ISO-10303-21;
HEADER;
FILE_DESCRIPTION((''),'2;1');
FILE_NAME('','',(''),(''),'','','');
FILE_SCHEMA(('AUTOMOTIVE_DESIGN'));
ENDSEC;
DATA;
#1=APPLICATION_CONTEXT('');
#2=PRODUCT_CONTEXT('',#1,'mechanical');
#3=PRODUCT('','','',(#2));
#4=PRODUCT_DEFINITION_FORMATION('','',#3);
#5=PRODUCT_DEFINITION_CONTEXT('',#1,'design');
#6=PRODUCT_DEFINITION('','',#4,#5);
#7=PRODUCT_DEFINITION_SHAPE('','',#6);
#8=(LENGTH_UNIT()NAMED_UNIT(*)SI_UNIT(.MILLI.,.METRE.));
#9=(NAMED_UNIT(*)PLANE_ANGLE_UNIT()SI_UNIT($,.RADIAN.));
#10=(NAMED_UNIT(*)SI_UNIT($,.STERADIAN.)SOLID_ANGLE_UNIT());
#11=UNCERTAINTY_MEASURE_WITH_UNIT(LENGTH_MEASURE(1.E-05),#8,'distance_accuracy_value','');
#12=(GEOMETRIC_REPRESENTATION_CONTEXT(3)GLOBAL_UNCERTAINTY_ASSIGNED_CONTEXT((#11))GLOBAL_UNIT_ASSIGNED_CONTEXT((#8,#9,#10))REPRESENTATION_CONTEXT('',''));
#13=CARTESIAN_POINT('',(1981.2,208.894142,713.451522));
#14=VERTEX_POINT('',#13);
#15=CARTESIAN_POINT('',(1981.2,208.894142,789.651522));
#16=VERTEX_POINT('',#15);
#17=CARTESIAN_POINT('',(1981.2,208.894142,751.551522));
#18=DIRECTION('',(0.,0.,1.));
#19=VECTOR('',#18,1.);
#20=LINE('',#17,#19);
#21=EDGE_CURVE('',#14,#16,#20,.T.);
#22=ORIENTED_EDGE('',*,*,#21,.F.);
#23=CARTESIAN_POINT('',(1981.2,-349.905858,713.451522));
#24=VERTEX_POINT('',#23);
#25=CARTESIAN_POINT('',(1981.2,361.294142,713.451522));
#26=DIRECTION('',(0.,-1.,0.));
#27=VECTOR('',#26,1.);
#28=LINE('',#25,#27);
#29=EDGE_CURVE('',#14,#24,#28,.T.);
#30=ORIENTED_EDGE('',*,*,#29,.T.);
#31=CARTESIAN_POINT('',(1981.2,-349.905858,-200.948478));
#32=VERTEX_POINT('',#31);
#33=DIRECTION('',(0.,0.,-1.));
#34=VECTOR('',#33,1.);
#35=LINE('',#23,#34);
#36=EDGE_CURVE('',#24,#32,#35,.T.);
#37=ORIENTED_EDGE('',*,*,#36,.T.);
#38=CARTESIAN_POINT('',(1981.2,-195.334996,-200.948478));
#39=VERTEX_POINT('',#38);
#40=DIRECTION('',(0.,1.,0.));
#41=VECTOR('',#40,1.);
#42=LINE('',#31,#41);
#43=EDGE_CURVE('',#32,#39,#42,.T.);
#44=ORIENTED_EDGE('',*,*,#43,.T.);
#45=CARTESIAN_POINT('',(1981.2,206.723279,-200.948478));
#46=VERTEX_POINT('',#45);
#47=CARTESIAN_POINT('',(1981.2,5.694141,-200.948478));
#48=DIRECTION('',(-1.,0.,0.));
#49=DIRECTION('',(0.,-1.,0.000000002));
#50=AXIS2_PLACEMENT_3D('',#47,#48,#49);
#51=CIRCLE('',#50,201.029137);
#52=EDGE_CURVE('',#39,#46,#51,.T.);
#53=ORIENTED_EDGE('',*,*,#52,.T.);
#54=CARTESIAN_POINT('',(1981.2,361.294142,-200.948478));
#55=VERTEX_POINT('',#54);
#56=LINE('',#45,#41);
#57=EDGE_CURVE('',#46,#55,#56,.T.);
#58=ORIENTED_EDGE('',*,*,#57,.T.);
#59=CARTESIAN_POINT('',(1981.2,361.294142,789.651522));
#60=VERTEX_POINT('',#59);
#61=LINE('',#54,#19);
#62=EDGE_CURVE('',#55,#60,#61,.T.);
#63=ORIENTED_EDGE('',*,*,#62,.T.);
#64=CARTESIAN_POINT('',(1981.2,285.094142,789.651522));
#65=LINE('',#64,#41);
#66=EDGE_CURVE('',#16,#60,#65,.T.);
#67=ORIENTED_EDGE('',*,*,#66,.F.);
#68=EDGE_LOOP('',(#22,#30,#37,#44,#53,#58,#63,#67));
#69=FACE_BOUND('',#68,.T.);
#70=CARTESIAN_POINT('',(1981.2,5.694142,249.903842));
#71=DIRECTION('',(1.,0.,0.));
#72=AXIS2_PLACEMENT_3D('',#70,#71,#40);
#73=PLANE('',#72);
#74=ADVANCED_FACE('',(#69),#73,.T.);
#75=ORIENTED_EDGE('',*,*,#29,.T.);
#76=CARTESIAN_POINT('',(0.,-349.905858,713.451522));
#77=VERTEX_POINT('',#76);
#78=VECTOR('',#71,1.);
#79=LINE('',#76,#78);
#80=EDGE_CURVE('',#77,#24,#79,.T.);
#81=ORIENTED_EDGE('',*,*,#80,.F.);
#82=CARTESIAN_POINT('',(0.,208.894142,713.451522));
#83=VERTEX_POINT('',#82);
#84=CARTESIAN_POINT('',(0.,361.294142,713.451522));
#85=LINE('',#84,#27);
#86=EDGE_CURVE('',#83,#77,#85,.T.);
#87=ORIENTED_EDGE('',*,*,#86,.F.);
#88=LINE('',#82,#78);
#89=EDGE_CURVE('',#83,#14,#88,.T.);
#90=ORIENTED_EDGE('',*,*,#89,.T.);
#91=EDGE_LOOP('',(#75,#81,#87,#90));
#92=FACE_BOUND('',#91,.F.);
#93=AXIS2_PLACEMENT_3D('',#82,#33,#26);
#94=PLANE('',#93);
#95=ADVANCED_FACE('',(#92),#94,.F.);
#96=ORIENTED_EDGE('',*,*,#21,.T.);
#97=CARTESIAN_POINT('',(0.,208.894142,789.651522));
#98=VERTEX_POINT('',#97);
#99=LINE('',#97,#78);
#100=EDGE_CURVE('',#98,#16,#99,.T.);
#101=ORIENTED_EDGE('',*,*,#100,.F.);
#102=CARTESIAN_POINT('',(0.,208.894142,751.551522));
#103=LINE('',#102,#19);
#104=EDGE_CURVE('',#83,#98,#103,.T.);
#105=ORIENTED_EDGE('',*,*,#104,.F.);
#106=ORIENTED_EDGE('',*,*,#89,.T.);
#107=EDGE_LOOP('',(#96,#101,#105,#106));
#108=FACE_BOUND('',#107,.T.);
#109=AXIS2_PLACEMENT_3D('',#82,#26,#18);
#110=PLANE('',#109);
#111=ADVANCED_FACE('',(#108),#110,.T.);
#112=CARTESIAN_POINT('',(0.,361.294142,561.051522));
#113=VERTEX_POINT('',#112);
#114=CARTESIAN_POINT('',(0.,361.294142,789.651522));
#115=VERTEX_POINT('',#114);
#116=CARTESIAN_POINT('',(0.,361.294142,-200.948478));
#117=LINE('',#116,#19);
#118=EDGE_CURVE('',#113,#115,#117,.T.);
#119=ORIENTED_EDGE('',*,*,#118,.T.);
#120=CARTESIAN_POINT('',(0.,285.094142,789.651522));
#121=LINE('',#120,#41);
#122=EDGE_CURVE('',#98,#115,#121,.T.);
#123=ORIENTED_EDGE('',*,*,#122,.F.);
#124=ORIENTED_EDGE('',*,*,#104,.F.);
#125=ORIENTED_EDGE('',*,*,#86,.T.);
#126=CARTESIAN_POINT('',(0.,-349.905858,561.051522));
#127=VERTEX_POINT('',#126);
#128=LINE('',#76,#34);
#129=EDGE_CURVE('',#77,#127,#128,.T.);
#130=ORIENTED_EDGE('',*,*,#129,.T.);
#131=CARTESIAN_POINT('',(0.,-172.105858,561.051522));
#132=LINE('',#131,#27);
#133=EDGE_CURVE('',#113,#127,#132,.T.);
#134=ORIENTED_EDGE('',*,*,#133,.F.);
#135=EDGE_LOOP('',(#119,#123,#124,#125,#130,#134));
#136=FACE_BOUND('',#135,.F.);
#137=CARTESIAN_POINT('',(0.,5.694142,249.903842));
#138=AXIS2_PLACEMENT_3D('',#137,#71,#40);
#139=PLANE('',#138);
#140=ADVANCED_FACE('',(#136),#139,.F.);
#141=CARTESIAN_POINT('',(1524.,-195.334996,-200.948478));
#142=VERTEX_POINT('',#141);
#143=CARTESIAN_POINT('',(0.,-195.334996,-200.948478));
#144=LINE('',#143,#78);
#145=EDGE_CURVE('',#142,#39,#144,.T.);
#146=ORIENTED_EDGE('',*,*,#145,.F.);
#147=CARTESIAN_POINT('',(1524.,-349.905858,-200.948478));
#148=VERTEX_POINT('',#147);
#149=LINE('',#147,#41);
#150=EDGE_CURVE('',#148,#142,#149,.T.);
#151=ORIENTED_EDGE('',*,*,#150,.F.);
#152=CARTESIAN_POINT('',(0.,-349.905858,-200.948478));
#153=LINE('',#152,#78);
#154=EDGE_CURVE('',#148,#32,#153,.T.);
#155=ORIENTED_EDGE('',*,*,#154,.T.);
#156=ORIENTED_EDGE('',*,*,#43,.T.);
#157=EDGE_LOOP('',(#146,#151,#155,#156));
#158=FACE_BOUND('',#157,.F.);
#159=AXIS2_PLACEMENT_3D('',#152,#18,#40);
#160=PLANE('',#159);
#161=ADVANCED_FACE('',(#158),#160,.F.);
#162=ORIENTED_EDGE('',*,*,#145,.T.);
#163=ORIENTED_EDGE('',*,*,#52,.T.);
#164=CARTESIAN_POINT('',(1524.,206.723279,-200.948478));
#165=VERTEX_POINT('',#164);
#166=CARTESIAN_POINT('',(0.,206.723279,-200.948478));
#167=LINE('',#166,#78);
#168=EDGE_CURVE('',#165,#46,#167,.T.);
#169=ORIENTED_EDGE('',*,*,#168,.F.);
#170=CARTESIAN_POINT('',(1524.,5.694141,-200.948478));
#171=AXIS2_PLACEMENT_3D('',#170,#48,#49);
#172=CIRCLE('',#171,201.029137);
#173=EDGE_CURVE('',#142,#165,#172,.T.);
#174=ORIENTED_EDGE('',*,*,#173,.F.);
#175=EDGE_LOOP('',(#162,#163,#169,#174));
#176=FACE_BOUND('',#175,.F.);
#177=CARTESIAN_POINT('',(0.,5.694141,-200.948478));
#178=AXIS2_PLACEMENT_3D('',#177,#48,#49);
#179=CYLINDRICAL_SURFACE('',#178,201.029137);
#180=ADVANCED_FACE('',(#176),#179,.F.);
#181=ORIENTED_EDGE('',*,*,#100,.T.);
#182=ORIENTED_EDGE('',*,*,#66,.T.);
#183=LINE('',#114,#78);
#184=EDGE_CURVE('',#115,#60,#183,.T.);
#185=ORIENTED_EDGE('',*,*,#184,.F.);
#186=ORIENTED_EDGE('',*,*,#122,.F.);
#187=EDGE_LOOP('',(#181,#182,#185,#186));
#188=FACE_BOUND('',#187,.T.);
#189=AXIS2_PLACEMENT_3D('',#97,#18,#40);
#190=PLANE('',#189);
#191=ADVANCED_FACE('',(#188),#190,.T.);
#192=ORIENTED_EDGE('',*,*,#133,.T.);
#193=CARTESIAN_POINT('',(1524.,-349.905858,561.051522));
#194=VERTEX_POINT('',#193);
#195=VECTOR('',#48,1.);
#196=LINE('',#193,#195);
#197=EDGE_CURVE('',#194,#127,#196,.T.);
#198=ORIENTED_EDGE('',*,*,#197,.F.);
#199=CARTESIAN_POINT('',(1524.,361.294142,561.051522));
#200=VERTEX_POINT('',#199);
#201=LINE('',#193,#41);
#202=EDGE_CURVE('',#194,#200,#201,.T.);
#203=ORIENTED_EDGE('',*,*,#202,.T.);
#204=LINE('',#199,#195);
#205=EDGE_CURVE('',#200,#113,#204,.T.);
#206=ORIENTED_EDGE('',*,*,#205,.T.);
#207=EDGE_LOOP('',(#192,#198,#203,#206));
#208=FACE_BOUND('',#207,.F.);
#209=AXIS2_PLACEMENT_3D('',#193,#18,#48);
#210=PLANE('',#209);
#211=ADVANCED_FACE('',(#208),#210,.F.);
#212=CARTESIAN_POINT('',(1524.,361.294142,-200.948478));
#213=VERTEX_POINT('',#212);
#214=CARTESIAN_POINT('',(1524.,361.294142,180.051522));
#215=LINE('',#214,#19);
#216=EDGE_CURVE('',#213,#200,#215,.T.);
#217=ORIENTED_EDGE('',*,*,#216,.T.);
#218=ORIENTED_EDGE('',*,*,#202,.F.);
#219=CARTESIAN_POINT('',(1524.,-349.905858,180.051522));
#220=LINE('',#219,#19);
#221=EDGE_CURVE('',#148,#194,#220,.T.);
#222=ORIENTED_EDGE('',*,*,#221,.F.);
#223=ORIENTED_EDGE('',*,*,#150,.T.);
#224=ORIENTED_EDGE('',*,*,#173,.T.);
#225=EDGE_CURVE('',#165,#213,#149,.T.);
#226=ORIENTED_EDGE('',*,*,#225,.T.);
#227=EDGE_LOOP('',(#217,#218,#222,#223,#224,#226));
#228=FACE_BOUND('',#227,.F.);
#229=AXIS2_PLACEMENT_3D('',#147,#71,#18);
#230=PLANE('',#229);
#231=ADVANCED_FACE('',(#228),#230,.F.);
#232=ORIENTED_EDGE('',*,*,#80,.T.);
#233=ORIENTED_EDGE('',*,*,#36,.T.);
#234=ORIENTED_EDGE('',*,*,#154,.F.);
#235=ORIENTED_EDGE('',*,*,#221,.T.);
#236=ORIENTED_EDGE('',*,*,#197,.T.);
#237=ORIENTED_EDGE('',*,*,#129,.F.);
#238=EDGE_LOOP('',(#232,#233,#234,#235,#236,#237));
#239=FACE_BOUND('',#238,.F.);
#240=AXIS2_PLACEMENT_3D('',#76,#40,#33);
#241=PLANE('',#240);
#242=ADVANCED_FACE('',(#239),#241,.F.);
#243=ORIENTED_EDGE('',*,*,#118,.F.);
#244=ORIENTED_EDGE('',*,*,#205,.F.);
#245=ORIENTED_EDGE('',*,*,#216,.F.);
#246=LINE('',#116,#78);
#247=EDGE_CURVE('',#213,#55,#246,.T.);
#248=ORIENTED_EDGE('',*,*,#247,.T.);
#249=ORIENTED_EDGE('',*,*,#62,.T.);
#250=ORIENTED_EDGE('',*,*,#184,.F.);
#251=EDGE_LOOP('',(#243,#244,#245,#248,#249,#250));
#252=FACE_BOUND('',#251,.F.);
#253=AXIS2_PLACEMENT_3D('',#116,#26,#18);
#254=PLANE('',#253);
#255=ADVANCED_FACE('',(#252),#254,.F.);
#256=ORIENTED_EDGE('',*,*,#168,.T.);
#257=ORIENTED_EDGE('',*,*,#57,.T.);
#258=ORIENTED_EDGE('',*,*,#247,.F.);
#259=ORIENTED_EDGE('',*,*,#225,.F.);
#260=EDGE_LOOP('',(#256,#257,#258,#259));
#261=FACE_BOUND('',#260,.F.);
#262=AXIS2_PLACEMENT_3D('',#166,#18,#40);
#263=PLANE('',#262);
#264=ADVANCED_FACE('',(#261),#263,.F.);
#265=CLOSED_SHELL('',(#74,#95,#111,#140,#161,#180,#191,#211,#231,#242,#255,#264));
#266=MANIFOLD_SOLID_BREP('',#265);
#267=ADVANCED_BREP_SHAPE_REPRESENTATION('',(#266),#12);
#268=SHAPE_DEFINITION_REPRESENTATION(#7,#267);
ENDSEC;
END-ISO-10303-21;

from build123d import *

# Parameters (mm, degrees)
F0_W     = 152.4
F0_H     = 76.2
F1_DEPTH = 1981.2
F2_W     = 1524
F2_H     = 762
F2_W_2   = 59.057254
F3_DEPTH = 711.2


with BuildPart() as f1:
    # F0 (on Right) → F1 (new body)
    with BuildSketch(Plane.YZ):
        with BuildLine():
            Line((208.894142, 713.451522), (-349.905858, 713.451522))
            Line((-349.905858, 713.451522), (-349.905858, -200.948478))
            Line((-349.905858, -200.948478), (-195.334996, -200.948478))
            ThreePointArc((-195.334996, -200.948478), (5.694142, 0.080659), (206.723279, -200.948478))
            Line((206.723279, -200.948478), (361.294142, -200.948478))
            Line((361.294142, -200.948478), (361.294142, 713.451522))
            Line((361.294142, 713.451522), (208.894142, 713.451522))
        make_face()
        with Locations((285.094142, 751.551522)):
            Rectangle(F0_W, F0_H)
    extrude(amount=F1_DEPTH)

    # F2 (on face) → F3 (cut)
    with BuildSketch(Plane.XZ.offset(349.905858)):
        with Locations((762, 180.051522)):
            Rectangle(F2_W, F2_H)
        with Locations((-29.528627, 180.051522)):
            Rectangle(F2_W_2, F2_H)
    extrude(amount=-F3_DEPTH, mode=Mode.SUBTRACT)


solid = f1.part
